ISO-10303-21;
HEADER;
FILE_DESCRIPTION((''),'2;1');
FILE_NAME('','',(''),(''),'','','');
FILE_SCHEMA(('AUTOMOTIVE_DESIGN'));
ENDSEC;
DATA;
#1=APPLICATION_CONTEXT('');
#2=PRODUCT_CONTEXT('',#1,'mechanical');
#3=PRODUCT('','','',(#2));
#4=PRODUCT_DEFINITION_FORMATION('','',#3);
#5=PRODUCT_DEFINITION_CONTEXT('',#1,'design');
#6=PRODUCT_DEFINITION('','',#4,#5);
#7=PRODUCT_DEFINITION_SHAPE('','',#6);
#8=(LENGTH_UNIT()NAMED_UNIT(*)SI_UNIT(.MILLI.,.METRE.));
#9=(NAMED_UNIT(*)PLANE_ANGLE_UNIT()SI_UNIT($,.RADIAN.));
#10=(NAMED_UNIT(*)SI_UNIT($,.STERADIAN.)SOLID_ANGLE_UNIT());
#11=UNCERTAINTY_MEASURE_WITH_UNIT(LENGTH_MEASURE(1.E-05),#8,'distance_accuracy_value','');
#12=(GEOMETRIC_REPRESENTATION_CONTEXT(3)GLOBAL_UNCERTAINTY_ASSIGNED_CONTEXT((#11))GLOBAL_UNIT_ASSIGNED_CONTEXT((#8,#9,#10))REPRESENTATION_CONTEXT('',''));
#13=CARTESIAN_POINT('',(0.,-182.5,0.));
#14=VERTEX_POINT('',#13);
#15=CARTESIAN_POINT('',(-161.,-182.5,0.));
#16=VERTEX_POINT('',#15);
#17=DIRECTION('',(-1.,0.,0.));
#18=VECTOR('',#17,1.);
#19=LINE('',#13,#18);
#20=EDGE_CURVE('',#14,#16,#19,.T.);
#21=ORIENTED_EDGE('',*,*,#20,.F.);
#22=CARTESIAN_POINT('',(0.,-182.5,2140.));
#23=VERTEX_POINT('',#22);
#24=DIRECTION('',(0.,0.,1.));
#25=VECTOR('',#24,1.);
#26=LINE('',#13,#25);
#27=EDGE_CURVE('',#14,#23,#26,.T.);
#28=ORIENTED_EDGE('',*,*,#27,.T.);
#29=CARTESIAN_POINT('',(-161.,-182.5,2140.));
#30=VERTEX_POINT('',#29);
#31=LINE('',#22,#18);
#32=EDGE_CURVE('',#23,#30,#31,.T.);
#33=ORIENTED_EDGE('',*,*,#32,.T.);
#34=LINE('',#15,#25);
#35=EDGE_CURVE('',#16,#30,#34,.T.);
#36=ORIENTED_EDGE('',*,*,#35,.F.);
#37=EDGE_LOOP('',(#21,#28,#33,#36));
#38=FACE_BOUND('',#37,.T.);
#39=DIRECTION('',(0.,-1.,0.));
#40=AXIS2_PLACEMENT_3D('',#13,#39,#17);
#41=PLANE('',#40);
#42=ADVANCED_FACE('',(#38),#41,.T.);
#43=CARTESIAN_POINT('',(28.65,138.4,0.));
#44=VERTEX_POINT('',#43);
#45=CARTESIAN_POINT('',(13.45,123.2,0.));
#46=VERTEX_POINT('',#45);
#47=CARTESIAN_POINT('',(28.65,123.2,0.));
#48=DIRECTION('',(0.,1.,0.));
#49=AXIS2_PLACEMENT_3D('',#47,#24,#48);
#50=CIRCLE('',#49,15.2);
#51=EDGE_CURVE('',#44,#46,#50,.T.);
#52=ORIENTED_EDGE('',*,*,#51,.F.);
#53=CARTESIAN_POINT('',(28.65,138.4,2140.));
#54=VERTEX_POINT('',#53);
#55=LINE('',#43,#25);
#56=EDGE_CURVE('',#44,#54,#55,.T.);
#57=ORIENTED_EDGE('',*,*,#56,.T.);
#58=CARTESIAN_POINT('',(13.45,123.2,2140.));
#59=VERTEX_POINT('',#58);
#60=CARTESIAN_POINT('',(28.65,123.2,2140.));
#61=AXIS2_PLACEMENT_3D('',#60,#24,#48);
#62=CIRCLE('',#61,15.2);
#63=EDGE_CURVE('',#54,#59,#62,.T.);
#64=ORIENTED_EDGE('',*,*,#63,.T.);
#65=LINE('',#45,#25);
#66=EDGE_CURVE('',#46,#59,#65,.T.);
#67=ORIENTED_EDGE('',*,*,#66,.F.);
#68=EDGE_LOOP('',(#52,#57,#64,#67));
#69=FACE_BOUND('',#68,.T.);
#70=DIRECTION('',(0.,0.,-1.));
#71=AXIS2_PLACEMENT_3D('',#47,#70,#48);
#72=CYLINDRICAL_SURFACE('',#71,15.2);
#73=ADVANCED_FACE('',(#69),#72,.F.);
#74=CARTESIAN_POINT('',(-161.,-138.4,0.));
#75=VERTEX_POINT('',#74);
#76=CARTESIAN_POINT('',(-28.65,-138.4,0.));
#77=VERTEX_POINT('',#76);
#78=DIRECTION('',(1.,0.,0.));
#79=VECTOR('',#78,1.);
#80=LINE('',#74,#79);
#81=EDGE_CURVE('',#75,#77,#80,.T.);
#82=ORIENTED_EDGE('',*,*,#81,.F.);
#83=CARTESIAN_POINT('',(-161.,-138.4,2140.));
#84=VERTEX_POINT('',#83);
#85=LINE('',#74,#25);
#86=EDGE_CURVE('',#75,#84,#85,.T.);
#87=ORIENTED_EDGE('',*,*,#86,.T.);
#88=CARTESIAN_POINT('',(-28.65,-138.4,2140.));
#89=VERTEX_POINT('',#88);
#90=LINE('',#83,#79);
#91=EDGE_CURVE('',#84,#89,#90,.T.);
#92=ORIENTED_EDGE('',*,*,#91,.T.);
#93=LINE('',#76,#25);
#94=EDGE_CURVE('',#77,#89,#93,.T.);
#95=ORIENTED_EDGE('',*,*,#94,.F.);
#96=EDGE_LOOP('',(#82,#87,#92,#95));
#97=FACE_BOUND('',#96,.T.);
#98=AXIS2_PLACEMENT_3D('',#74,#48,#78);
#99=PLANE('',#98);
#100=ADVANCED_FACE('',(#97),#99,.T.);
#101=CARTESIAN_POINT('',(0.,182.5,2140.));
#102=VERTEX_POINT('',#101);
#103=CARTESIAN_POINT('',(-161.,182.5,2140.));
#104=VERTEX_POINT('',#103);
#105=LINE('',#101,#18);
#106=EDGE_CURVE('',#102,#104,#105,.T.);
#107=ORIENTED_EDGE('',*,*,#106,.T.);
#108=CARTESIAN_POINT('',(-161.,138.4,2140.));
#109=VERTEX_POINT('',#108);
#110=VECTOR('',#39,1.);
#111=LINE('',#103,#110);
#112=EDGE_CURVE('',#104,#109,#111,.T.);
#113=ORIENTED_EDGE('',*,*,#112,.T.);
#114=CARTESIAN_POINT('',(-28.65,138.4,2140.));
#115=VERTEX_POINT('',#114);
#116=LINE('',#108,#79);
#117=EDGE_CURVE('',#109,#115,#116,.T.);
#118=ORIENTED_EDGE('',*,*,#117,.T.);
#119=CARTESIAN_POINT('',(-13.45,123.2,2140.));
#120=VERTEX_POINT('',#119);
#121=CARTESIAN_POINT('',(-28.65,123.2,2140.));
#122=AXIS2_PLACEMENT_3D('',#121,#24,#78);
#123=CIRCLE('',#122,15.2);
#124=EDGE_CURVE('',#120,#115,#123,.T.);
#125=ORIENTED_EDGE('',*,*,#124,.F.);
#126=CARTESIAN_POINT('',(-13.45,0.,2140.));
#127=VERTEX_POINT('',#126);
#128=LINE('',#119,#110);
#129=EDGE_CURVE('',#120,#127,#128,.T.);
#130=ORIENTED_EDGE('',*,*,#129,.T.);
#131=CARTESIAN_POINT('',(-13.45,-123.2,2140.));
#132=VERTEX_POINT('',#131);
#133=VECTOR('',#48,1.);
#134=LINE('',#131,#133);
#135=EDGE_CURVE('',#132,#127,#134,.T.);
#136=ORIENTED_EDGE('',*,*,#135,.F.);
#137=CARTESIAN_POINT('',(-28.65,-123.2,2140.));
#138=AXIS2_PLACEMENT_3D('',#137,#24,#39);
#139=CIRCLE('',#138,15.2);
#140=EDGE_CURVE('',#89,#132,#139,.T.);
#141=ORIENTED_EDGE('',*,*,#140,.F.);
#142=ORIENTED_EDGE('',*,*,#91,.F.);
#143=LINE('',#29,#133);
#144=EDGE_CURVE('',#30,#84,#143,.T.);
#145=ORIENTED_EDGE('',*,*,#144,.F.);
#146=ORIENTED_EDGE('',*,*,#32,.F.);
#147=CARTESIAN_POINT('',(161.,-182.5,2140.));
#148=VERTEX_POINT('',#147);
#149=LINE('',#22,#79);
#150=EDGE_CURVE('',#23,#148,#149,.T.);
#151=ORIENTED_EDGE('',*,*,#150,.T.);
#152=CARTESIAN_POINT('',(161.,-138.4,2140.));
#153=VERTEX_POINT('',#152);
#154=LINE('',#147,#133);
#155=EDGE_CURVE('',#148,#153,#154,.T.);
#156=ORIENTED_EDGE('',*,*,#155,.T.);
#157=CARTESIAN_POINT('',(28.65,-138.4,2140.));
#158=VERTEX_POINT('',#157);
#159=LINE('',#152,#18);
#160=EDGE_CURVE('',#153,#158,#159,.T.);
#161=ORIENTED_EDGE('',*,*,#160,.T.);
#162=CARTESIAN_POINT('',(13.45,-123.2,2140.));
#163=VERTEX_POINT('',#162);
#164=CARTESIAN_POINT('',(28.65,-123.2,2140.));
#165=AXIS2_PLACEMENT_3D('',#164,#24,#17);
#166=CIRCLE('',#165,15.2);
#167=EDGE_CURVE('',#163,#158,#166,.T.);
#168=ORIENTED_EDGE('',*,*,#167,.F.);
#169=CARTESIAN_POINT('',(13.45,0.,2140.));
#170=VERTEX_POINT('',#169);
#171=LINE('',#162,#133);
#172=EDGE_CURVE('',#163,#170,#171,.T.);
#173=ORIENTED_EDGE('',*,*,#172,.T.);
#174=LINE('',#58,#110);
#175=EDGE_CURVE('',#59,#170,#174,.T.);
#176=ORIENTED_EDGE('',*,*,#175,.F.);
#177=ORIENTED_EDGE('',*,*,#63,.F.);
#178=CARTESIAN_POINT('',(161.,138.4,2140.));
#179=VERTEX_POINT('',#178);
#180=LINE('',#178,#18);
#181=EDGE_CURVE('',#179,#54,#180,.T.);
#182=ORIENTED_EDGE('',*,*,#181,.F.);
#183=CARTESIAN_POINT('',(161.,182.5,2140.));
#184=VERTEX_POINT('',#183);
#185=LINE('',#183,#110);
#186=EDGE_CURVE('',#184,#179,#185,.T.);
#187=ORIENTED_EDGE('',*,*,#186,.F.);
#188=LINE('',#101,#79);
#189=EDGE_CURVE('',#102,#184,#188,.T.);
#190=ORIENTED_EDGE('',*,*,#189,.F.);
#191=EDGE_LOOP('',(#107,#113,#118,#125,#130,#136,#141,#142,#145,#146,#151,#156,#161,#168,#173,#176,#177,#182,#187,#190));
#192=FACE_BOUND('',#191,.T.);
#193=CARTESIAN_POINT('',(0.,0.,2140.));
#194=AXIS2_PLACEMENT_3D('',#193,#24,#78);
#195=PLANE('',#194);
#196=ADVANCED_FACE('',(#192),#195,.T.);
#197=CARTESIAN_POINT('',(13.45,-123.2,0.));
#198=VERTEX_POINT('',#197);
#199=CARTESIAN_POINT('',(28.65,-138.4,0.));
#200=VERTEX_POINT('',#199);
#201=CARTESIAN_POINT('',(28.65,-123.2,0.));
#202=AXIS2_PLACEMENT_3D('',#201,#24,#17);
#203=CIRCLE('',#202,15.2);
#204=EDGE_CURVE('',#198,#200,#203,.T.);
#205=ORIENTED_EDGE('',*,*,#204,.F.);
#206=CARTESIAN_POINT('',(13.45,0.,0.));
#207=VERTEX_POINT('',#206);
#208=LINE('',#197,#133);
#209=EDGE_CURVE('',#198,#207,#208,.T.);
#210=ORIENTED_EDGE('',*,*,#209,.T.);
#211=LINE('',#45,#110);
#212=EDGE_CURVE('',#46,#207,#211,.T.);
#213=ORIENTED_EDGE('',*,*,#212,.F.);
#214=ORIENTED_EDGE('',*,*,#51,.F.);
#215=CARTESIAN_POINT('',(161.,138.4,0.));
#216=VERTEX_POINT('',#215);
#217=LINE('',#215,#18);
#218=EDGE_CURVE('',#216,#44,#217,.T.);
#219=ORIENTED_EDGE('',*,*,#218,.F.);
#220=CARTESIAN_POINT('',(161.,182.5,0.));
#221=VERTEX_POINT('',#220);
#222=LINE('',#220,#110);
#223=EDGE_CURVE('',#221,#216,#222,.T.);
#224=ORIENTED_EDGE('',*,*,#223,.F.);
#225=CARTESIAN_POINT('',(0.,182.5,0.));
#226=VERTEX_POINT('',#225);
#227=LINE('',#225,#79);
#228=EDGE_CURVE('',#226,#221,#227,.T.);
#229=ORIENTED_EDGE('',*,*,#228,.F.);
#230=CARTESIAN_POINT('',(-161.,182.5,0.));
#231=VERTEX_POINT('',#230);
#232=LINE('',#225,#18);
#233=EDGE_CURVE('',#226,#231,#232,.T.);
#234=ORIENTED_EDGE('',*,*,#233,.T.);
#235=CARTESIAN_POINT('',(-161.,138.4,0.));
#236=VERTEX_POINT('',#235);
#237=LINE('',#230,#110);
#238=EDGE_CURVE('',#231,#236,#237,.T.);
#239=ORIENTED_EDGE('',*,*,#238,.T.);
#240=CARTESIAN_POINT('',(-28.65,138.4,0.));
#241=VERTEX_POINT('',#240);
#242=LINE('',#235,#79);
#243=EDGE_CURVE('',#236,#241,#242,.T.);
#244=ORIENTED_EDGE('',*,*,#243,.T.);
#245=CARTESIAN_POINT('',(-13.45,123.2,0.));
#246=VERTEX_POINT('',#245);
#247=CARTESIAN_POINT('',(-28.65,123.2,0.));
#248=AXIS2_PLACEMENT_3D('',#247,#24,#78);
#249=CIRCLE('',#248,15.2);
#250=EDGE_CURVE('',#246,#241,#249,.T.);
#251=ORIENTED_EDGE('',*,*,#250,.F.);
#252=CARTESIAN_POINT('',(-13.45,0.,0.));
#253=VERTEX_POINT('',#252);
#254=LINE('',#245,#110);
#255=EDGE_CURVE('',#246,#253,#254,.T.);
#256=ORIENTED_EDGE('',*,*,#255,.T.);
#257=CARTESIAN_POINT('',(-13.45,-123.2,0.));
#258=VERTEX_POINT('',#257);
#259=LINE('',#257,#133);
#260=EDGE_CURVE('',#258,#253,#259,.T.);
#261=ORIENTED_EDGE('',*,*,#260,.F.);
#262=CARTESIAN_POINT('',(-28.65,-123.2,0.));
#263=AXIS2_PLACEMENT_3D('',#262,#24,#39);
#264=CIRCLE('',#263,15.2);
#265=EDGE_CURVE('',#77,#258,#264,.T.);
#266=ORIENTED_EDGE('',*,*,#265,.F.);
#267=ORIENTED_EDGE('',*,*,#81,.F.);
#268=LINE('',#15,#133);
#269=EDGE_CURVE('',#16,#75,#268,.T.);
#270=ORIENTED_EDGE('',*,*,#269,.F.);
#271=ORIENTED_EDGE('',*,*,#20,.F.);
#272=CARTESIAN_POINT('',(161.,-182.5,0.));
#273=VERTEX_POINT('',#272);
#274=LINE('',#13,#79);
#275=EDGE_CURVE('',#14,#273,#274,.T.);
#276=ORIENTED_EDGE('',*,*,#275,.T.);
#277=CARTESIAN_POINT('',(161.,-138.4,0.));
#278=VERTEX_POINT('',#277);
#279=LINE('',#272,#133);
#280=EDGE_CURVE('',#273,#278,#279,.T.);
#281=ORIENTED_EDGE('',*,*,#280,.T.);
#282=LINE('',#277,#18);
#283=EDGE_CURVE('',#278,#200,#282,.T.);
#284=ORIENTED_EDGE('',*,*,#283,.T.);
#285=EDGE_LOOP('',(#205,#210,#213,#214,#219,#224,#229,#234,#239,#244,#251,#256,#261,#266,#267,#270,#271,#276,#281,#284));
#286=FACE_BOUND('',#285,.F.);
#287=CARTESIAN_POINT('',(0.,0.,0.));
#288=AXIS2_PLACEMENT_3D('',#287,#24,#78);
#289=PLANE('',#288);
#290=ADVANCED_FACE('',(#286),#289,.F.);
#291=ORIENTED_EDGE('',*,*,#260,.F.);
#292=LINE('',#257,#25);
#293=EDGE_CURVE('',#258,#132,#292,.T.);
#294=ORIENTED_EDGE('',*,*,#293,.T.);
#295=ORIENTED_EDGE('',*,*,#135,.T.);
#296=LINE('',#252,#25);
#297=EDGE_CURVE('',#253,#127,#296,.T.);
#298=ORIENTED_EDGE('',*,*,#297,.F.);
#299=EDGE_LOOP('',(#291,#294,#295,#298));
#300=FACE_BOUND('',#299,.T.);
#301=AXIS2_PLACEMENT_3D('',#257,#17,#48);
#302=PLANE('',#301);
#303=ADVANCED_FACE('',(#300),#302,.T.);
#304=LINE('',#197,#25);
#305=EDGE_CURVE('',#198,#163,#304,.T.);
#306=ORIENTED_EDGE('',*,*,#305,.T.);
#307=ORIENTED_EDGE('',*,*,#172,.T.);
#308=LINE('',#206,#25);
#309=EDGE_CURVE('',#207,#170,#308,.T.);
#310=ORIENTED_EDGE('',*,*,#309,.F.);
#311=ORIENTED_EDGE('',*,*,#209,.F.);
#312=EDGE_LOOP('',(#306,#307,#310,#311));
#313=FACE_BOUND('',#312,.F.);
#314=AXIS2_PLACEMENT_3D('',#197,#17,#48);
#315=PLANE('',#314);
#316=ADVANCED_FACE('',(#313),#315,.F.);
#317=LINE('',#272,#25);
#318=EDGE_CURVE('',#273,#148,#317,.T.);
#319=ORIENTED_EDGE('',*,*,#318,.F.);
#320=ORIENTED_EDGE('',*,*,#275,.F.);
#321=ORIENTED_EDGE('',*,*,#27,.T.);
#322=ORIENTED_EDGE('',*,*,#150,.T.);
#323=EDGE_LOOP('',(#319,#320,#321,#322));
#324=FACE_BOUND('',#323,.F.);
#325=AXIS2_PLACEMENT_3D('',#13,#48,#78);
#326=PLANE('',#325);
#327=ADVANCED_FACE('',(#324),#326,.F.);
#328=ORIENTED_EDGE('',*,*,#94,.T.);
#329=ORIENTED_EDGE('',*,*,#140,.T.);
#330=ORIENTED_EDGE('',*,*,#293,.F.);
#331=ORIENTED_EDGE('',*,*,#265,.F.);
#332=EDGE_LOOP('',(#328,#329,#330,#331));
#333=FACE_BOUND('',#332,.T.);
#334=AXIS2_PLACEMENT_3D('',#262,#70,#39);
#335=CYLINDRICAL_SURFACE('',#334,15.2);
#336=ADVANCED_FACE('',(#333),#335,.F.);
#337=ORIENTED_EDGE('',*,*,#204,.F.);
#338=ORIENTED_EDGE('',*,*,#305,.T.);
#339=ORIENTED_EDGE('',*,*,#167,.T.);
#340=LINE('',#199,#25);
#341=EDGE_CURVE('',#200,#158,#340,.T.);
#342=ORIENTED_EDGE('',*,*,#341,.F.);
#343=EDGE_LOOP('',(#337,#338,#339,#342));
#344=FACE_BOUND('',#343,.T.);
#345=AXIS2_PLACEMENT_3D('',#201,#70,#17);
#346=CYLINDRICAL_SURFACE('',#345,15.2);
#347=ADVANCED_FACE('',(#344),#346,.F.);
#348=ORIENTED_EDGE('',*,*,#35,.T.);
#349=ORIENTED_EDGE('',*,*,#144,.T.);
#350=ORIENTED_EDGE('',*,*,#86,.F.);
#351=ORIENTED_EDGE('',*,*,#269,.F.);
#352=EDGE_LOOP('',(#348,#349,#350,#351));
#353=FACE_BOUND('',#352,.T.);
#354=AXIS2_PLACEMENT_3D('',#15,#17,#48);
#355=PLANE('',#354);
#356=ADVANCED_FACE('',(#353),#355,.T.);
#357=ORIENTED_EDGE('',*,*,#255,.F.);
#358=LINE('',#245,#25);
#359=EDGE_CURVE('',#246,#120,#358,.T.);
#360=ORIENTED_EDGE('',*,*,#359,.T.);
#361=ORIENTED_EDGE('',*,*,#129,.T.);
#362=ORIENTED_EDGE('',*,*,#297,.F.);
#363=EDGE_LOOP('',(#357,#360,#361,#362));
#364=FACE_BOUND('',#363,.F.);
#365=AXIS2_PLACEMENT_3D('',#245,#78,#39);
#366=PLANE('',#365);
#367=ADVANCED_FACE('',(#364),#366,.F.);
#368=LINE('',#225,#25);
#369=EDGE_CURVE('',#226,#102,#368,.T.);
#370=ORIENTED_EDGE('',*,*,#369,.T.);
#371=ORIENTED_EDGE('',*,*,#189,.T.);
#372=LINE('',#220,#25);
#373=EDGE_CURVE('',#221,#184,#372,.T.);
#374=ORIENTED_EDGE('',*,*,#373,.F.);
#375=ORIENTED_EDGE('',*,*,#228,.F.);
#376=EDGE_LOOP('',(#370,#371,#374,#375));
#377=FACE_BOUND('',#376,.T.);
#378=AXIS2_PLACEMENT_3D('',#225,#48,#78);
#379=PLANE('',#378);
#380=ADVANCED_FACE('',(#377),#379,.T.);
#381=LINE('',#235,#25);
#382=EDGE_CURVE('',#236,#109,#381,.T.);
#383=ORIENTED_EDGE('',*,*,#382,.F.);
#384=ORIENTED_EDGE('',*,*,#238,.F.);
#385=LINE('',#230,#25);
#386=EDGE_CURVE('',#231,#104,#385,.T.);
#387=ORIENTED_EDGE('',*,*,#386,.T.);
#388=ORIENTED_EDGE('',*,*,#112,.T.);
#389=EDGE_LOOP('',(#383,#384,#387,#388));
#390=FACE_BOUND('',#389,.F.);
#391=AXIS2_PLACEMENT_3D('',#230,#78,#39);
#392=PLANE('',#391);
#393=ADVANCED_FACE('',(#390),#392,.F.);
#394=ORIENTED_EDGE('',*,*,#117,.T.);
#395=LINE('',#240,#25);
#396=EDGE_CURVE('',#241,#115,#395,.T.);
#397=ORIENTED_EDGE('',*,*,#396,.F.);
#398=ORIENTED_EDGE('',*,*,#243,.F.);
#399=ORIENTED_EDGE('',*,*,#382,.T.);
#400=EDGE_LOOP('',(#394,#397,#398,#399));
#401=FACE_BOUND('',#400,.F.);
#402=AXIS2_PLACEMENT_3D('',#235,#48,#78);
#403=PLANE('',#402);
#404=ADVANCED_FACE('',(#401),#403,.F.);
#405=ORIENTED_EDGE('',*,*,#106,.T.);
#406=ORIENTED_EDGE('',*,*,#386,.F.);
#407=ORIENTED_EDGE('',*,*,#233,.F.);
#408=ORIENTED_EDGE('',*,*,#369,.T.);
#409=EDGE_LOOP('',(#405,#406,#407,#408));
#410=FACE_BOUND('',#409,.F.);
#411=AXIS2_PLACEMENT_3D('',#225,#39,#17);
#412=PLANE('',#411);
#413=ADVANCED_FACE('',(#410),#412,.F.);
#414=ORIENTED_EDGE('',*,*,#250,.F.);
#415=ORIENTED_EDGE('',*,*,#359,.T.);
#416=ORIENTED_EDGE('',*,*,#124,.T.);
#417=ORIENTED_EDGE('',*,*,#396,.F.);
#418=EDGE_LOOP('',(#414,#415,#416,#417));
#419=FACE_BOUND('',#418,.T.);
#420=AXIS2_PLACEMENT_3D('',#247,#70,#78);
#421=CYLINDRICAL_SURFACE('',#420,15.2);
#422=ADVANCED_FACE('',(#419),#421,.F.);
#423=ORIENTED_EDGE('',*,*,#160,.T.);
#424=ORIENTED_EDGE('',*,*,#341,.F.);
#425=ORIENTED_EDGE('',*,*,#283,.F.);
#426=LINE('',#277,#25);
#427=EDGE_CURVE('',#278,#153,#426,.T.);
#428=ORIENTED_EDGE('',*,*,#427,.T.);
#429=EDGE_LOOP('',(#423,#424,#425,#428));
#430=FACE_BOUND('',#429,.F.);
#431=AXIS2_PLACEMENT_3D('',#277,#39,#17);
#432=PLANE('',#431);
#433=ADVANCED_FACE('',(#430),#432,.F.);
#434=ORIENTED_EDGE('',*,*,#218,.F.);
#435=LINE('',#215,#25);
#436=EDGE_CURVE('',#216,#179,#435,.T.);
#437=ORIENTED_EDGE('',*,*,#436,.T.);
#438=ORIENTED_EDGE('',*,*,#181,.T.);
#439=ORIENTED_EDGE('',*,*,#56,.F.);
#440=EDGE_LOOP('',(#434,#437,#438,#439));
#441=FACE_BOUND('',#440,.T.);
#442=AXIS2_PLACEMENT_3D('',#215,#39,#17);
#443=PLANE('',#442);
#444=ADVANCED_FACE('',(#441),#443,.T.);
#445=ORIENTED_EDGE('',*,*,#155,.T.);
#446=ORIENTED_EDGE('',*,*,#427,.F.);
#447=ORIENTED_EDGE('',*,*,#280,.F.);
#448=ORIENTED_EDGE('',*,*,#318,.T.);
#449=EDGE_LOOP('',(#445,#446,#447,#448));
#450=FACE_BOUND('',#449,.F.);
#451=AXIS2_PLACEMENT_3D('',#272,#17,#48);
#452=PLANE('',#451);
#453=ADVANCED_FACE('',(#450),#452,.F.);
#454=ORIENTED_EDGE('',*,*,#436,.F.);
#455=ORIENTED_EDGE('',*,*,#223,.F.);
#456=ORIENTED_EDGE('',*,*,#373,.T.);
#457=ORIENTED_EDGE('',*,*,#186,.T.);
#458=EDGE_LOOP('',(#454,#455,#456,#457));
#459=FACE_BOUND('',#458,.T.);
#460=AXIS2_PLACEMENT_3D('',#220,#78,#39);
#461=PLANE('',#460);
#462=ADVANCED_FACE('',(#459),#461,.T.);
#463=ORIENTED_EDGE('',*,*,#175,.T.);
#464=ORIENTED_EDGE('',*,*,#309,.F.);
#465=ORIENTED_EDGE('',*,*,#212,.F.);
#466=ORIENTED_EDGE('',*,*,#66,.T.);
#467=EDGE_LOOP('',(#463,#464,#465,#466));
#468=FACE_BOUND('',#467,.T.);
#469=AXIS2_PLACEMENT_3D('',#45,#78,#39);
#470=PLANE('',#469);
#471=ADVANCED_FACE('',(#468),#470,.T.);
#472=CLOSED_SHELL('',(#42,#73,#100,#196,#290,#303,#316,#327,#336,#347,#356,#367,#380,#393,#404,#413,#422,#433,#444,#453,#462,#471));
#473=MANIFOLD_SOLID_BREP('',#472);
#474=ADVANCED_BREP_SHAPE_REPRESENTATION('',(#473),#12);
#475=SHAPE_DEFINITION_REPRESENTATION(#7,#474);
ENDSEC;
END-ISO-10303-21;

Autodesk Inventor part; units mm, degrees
ref_plane "YZ Plane" through (0, 0, 0) normal (1, 0, 0) x (0, 1, 0)
ref_plane "Start plane" through (0, 0, 0) normal (0, 0, 1) x (1, 0, 0)
ref_plane "End plane" through (0, 0, 2140) normal (0, 0, 1) x (1, 0, 0)
sketch "Sketch" plane through (0, 0, 0) normal (0, 0, 1) x (1, 0, 0)
  line L0 (-161, -182.5) -> (-161, -138.4)
  line L1 (-161, -138.4) -> (-28.65, -138.4)
  line L2 (-13.45, -123.2) -> (-13.45, 0)
  line L3 (-13.45, 0) -> (0, 0) construction
  line L4 (0, 0) -> (0, -182.5) construction
  line L5 (0, -182.5) -> (-161, -182.5)
  line L6 (-60, 0) -> (80, 0) construction
  line L7 (0, -60) -> (0, 80) construction
  line L8 (161, -182.5) -> (161, -138.4)
  line L9 (161, -138.4) -> (28.65, -138.4)
  line L10 (13.45, -123.2) -> (13.45, 0)
  line L11 (13.45, 0) -> (0, 0) construction
  line L12 (0, -182.5) -> (161, -182.5)
  line L13 (-161, 182.5) -> (-161, 138.4)
  line L14 (-161, 138.4) -> (-28.65, 138.4)
  line L15 (-13.45, 123.2) -> (-13.45, 0)
  line L16 (0, 182.5) -> (-161, 182.5)
  line L17 (161, 182.5) -> (161, 138.4)
  line L18 (161, 138.4) -> (28.65, 138.4)
  line L19 (0, 182.5) -> (161, 182.5)
  line L20 (13.45, 123.2) -> (13.45, 0)
  arc A0 (-13.45, 123.2) -> (-28.65, 138.4) centre (-28.65, 123.2) ccw
  arc A1 (28.65, 138.4) -> (13.45, 123.2) centre (28.65, 123.2) ccw
  arc A2 (13.45, -123.2) -> (28.65, -138.4) centre (28.65, -123.2) ccw
  arc A3 (-28.65, -138.4) -> (-13.45, -123.2) centre (-28.65, -123.2) ccw
  line L21 (0, 108) -> (0, -88) construction
  line L22 (-88, 0) -> (108, 0) construction
  point P0 (-13.45, -138.4)
  point P1 (13.45, -138.4)
  point P2 (-13.45, 138.4)
  point P3 (13.45, 138.4)
  dimension "d1" = 182.5
  dimension "d2" = 44.1
  dimension "d3" = 161
  dimension "d4" = 13.45
  dimension "d10" = 15.2
extrude "Body" add sketch "Sketch" along normal up to surface (2140 mm away) from surface at 0
sketch "Sketch4" plane through (0, 0, 0) normal (0, 0, 1) x (1, 0, 0)
  line L0 (0, 0) -> (10, 0)
ref_plane "Work Plane3" through (0, 0, 0) normal (0, -1, 0) x (1, 0, 0)
sketch "Sketch5" plane through (0, 0, 0) normal (0, -1, 0) x (1, 0, 0)
  line L0 (-2, 0) -> (12, 0) projected
  line L1 (-2, 2140) -> (12, 2140) projected
  dimension "d14" = 2140
equation "\"d1\" = 0.5 * G_H"
equation "\"d2\" = G_T1"
equation "\"d3\" = 0.5 * G_W"
equation "\"d4\" = 0.5 * G_T"
equation "\"d10\" = G_IR"
equation "\"d5\" = G_L"
equation "\"G_W\" = 322"
equation "\"G_H\" = 365"
equation "\"G_T\" = 26.9"
equation "\"G_T1\" = 44.1"
equation "\"G_IR\" = 15.2"
equation "\"G_L\" = d14"
equation "\"G_OFFSET_START\" = 0"
equation "\"G_OFFSET_END\" = 0"
properties part number "AS 3679 - 310 UC - 283 - 2140" material "Steel, Mild"
